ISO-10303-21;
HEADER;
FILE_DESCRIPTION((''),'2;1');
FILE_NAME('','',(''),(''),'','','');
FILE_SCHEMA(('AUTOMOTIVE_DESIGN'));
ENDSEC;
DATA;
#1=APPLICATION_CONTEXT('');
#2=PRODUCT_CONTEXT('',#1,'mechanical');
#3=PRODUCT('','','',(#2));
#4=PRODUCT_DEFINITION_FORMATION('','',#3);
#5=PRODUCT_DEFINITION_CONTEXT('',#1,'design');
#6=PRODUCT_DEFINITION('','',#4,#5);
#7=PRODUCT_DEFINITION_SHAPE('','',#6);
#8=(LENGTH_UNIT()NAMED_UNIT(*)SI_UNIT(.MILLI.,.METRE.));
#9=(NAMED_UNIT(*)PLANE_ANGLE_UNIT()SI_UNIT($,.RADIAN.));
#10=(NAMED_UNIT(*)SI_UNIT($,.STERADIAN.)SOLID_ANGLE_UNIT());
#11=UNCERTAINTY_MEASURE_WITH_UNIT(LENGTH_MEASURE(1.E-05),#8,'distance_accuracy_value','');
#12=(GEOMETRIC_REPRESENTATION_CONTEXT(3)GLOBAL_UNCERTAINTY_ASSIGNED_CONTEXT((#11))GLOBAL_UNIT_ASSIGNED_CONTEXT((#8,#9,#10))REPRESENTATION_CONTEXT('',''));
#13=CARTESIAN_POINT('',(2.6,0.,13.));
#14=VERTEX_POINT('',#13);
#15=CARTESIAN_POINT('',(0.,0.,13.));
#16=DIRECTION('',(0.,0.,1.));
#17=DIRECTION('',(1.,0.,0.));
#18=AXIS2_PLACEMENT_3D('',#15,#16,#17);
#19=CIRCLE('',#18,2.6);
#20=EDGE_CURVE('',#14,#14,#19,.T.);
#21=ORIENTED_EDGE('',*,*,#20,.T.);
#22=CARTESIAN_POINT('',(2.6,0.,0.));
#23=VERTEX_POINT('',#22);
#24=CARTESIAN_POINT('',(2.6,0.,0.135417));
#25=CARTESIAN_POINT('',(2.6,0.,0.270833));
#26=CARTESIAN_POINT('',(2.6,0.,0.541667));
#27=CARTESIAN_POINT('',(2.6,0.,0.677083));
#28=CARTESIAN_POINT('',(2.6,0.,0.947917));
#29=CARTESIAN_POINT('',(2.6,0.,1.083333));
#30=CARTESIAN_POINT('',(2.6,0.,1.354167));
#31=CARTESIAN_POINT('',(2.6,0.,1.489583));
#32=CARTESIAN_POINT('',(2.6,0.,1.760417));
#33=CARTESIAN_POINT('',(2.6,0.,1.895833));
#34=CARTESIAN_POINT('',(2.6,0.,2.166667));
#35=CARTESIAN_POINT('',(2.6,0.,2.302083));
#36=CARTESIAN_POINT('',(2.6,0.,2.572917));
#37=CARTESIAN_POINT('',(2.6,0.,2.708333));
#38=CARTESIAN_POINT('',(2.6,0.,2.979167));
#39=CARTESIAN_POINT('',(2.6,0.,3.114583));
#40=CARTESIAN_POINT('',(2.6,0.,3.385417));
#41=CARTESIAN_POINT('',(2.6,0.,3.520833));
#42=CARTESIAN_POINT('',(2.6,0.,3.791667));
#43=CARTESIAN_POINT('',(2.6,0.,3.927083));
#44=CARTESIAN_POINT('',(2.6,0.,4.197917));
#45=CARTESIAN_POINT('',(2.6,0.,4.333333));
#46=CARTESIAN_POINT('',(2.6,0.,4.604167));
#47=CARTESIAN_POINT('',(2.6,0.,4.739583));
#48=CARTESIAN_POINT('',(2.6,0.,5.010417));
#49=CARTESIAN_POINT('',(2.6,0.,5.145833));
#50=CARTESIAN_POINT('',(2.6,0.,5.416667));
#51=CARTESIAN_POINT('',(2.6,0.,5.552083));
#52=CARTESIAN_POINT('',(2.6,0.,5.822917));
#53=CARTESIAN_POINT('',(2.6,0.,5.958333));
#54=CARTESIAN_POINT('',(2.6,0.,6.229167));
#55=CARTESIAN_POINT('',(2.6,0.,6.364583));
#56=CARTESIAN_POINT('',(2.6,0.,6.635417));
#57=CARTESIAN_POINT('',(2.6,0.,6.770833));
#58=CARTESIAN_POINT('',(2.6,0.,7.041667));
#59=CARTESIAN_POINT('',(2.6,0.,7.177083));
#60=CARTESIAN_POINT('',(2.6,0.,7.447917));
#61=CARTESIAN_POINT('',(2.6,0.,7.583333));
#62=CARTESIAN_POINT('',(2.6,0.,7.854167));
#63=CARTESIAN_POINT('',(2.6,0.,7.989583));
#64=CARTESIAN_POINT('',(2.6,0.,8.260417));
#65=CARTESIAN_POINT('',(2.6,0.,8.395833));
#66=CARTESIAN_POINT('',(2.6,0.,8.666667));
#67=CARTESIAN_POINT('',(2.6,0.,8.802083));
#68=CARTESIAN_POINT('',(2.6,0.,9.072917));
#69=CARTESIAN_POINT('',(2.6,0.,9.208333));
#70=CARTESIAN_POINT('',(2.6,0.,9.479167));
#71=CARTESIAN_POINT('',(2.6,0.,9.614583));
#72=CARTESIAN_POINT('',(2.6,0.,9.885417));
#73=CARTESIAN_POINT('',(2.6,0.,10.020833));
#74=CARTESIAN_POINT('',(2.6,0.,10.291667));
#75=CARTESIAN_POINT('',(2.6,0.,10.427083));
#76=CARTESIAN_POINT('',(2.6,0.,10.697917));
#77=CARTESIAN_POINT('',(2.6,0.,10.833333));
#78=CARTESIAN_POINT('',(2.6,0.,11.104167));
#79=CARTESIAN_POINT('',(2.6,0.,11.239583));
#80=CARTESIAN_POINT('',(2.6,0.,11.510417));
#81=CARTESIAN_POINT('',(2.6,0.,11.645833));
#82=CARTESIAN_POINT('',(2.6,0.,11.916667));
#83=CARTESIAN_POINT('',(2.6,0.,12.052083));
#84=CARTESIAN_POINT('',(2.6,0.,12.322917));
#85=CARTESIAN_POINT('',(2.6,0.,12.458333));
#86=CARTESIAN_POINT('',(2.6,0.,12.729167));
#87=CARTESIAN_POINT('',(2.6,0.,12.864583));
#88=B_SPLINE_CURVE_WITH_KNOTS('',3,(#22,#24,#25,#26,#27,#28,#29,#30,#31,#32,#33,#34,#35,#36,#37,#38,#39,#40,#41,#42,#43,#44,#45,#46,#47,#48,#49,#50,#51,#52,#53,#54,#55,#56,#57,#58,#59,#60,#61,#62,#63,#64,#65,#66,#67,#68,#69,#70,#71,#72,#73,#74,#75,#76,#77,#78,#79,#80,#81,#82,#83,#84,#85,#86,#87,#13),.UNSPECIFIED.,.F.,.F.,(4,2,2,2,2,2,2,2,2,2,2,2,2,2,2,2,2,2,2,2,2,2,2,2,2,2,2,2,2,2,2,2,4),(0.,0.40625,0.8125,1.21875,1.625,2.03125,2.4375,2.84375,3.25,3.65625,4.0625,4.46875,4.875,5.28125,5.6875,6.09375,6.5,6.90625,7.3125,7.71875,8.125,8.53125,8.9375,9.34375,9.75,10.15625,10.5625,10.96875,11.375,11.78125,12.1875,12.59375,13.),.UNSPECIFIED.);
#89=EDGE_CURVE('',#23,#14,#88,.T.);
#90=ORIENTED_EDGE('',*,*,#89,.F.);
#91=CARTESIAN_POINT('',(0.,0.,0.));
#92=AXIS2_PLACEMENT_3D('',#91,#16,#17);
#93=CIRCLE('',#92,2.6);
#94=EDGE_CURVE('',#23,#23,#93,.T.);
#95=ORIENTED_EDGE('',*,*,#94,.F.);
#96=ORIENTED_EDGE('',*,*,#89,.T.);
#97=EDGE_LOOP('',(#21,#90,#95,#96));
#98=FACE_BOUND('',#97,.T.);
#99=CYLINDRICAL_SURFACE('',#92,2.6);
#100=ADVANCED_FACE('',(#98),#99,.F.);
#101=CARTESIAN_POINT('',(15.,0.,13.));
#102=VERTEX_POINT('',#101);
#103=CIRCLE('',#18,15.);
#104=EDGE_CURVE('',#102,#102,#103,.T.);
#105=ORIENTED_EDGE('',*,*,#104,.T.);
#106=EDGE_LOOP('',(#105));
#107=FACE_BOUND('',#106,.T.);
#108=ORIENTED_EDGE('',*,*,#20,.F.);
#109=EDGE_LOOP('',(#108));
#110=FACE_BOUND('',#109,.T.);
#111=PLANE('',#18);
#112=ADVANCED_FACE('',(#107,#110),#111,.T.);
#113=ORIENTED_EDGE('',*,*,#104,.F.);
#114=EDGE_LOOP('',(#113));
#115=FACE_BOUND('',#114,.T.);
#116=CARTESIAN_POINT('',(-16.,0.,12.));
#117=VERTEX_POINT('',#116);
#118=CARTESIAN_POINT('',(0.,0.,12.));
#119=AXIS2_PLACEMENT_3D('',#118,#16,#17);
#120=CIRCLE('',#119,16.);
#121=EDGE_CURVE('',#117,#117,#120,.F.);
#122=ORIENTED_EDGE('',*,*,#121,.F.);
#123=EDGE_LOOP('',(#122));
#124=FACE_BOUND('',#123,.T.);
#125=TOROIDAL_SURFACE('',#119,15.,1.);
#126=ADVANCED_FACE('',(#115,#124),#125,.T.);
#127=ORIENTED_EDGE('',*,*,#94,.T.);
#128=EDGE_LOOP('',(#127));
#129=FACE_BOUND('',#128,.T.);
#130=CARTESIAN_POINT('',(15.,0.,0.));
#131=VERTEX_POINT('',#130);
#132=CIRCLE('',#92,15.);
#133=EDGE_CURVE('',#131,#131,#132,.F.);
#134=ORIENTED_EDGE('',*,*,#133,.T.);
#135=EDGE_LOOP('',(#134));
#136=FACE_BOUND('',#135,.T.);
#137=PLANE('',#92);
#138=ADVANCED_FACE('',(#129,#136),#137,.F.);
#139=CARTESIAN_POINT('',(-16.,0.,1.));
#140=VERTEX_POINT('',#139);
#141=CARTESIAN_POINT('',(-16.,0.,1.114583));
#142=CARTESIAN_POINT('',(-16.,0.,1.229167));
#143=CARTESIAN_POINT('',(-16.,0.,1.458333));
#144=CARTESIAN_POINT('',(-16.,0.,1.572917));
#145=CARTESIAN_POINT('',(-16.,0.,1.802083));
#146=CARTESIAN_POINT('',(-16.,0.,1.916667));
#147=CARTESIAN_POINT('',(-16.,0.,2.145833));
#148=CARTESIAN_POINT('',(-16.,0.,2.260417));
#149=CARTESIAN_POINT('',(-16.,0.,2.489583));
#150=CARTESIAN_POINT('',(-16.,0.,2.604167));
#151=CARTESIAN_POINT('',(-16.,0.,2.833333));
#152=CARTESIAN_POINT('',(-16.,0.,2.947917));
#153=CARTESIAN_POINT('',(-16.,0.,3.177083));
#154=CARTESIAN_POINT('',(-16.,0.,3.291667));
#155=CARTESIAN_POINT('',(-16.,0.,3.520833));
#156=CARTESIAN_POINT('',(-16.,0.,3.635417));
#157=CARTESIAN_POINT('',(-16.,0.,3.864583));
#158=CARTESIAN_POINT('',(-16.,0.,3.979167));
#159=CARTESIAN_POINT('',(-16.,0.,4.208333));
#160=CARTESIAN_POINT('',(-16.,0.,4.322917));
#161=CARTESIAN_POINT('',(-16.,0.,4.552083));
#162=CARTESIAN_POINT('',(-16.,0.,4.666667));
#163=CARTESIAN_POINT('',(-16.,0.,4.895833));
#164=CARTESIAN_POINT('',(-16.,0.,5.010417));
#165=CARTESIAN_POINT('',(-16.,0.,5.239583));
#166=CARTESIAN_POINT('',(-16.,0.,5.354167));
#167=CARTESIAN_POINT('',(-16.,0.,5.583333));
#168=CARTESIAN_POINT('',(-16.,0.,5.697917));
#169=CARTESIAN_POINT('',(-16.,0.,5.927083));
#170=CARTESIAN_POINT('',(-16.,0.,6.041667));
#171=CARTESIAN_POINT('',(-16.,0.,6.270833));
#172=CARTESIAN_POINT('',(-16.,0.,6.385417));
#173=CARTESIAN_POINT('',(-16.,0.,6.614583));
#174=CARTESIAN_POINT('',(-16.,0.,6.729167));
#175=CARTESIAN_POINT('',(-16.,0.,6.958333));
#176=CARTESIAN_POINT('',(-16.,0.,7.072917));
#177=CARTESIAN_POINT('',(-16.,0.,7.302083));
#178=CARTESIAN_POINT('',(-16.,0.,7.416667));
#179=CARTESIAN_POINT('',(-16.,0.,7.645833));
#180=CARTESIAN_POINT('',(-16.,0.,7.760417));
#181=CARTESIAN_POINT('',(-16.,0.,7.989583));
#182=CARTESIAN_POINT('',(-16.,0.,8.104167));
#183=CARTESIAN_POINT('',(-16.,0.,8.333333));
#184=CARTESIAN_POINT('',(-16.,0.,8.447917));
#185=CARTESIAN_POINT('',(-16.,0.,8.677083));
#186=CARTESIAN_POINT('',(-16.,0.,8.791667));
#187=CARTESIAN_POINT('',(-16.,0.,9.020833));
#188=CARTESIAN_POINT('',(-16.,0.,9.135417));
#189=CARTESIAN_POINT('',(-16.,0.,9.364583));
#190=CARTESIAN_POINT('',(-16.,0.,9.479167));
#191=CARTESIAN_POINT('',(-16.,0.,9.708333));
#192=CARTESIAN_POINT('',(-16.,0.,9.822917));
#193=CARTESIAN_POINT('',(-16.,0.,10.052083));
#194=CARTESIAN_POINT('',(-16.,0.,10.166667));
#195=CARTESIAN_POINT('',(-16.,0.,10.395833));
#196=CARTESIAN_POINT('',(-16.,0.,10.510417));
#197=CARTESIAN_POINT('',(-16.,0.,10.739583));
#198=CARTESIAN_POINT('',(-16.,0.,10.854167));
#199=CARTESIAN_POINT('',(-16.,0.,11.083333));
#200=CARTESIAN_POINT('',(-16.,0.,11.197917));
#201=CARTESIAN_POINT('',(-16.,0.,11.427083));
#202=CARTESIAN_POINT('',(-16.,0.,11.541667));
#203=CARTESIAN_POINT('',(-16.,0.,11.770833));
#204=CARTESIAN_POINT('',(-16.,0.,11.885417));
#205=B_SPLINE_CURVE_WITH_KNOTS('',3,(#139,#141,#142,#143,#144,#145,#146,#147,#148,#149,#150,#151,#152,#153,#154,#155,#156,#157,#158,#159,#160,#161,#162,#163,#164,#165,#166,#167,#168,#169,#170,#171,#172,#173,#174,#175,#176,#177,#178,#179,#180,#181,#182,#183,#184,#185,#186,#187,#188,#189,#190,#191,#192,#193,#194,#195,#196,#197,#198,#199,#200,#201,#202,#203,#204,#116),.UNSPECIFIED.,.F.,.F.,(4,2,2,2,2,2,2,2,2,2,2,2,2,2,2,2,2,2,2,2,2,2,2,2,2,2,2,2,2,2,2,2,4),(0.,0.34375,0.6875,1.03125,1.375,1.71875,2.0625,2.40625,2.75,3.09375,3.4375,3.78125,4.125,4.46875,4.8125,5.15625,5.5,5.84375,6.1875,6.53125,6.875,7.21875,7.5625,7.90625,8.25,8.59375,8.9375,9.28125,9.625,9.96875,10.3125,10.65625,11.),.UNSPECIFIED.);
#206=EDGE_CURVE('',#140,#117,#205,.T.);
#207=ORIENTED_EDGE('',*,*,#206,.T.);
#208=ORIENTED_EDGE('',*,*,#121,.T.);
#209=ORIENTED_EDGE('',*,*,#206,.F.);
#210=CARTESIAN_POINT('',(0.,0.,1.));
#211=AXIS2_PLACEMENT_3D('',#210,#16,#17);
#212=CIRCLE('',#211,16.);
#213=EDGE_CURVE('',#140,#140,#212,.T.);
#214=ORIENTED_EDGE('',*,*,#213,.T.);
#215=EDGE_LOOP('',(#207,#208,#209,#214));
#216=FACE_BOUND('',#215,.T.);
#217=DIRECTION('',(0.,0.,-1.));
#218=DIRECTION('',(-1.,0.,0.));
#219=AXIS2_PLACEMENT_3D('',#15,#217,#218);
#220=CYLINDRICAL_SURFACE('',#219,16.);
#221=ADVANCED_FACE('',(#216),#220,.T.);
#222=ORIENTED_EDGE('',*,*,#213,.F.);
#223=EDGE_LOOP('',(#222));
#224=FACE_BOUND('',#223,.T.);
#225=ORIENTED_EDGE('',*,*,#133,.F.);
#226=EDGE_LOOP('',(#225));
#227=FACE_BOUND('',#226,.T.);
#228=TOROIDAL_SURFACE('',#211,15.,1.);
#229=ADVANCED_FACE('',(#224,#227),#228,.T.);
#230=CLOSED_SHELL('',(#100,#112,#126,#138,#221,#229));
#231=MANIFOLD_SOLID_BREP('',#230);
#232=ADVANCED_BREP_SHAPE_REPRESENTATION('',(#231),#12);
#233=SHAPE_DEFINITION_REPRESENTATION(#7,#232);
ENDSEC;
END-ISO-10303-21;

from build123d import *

# Parameters (mm, degrees)
SKETCH_1_R          = 16
EXTRUDE_1_DEPTH     = 13
SKETCH_2_R          = 2.6
CUT_EXTRUDE_1_DEPTH = 27.095976701
FILLET_1_R          = 1


with BuildPart() as part:
    # 草图1 → 凸台-拉伸1 (new body)
    with BuildSketch(Plane.XY):
        with Locations(Location((0, 0, 0), (0, 0, 180))):
            Circle(SKETCH_1_R)
    extrude(amount=EXTRUDE_1_DEPTH)

    # 草图2 → 切除-拉伸1 (cut, through all)
    with BuildSketch(Plane.XY.offset(13)):
        Circle(SKETCH_2_R)
    extrude(amount=-CUT_EXTRUDE_1_DEPTH, mode=Mode.SUBTRACT)

    # 圆角1
    fillet_1_edges = [part.edges().sort_by_distance(p)[0] for p in [
        (16, 0, 0),
        (16, 0, 13),
    ]]
    fillet(fillet_1_edges, radius=FILLET_1_R)


solid = part.part
